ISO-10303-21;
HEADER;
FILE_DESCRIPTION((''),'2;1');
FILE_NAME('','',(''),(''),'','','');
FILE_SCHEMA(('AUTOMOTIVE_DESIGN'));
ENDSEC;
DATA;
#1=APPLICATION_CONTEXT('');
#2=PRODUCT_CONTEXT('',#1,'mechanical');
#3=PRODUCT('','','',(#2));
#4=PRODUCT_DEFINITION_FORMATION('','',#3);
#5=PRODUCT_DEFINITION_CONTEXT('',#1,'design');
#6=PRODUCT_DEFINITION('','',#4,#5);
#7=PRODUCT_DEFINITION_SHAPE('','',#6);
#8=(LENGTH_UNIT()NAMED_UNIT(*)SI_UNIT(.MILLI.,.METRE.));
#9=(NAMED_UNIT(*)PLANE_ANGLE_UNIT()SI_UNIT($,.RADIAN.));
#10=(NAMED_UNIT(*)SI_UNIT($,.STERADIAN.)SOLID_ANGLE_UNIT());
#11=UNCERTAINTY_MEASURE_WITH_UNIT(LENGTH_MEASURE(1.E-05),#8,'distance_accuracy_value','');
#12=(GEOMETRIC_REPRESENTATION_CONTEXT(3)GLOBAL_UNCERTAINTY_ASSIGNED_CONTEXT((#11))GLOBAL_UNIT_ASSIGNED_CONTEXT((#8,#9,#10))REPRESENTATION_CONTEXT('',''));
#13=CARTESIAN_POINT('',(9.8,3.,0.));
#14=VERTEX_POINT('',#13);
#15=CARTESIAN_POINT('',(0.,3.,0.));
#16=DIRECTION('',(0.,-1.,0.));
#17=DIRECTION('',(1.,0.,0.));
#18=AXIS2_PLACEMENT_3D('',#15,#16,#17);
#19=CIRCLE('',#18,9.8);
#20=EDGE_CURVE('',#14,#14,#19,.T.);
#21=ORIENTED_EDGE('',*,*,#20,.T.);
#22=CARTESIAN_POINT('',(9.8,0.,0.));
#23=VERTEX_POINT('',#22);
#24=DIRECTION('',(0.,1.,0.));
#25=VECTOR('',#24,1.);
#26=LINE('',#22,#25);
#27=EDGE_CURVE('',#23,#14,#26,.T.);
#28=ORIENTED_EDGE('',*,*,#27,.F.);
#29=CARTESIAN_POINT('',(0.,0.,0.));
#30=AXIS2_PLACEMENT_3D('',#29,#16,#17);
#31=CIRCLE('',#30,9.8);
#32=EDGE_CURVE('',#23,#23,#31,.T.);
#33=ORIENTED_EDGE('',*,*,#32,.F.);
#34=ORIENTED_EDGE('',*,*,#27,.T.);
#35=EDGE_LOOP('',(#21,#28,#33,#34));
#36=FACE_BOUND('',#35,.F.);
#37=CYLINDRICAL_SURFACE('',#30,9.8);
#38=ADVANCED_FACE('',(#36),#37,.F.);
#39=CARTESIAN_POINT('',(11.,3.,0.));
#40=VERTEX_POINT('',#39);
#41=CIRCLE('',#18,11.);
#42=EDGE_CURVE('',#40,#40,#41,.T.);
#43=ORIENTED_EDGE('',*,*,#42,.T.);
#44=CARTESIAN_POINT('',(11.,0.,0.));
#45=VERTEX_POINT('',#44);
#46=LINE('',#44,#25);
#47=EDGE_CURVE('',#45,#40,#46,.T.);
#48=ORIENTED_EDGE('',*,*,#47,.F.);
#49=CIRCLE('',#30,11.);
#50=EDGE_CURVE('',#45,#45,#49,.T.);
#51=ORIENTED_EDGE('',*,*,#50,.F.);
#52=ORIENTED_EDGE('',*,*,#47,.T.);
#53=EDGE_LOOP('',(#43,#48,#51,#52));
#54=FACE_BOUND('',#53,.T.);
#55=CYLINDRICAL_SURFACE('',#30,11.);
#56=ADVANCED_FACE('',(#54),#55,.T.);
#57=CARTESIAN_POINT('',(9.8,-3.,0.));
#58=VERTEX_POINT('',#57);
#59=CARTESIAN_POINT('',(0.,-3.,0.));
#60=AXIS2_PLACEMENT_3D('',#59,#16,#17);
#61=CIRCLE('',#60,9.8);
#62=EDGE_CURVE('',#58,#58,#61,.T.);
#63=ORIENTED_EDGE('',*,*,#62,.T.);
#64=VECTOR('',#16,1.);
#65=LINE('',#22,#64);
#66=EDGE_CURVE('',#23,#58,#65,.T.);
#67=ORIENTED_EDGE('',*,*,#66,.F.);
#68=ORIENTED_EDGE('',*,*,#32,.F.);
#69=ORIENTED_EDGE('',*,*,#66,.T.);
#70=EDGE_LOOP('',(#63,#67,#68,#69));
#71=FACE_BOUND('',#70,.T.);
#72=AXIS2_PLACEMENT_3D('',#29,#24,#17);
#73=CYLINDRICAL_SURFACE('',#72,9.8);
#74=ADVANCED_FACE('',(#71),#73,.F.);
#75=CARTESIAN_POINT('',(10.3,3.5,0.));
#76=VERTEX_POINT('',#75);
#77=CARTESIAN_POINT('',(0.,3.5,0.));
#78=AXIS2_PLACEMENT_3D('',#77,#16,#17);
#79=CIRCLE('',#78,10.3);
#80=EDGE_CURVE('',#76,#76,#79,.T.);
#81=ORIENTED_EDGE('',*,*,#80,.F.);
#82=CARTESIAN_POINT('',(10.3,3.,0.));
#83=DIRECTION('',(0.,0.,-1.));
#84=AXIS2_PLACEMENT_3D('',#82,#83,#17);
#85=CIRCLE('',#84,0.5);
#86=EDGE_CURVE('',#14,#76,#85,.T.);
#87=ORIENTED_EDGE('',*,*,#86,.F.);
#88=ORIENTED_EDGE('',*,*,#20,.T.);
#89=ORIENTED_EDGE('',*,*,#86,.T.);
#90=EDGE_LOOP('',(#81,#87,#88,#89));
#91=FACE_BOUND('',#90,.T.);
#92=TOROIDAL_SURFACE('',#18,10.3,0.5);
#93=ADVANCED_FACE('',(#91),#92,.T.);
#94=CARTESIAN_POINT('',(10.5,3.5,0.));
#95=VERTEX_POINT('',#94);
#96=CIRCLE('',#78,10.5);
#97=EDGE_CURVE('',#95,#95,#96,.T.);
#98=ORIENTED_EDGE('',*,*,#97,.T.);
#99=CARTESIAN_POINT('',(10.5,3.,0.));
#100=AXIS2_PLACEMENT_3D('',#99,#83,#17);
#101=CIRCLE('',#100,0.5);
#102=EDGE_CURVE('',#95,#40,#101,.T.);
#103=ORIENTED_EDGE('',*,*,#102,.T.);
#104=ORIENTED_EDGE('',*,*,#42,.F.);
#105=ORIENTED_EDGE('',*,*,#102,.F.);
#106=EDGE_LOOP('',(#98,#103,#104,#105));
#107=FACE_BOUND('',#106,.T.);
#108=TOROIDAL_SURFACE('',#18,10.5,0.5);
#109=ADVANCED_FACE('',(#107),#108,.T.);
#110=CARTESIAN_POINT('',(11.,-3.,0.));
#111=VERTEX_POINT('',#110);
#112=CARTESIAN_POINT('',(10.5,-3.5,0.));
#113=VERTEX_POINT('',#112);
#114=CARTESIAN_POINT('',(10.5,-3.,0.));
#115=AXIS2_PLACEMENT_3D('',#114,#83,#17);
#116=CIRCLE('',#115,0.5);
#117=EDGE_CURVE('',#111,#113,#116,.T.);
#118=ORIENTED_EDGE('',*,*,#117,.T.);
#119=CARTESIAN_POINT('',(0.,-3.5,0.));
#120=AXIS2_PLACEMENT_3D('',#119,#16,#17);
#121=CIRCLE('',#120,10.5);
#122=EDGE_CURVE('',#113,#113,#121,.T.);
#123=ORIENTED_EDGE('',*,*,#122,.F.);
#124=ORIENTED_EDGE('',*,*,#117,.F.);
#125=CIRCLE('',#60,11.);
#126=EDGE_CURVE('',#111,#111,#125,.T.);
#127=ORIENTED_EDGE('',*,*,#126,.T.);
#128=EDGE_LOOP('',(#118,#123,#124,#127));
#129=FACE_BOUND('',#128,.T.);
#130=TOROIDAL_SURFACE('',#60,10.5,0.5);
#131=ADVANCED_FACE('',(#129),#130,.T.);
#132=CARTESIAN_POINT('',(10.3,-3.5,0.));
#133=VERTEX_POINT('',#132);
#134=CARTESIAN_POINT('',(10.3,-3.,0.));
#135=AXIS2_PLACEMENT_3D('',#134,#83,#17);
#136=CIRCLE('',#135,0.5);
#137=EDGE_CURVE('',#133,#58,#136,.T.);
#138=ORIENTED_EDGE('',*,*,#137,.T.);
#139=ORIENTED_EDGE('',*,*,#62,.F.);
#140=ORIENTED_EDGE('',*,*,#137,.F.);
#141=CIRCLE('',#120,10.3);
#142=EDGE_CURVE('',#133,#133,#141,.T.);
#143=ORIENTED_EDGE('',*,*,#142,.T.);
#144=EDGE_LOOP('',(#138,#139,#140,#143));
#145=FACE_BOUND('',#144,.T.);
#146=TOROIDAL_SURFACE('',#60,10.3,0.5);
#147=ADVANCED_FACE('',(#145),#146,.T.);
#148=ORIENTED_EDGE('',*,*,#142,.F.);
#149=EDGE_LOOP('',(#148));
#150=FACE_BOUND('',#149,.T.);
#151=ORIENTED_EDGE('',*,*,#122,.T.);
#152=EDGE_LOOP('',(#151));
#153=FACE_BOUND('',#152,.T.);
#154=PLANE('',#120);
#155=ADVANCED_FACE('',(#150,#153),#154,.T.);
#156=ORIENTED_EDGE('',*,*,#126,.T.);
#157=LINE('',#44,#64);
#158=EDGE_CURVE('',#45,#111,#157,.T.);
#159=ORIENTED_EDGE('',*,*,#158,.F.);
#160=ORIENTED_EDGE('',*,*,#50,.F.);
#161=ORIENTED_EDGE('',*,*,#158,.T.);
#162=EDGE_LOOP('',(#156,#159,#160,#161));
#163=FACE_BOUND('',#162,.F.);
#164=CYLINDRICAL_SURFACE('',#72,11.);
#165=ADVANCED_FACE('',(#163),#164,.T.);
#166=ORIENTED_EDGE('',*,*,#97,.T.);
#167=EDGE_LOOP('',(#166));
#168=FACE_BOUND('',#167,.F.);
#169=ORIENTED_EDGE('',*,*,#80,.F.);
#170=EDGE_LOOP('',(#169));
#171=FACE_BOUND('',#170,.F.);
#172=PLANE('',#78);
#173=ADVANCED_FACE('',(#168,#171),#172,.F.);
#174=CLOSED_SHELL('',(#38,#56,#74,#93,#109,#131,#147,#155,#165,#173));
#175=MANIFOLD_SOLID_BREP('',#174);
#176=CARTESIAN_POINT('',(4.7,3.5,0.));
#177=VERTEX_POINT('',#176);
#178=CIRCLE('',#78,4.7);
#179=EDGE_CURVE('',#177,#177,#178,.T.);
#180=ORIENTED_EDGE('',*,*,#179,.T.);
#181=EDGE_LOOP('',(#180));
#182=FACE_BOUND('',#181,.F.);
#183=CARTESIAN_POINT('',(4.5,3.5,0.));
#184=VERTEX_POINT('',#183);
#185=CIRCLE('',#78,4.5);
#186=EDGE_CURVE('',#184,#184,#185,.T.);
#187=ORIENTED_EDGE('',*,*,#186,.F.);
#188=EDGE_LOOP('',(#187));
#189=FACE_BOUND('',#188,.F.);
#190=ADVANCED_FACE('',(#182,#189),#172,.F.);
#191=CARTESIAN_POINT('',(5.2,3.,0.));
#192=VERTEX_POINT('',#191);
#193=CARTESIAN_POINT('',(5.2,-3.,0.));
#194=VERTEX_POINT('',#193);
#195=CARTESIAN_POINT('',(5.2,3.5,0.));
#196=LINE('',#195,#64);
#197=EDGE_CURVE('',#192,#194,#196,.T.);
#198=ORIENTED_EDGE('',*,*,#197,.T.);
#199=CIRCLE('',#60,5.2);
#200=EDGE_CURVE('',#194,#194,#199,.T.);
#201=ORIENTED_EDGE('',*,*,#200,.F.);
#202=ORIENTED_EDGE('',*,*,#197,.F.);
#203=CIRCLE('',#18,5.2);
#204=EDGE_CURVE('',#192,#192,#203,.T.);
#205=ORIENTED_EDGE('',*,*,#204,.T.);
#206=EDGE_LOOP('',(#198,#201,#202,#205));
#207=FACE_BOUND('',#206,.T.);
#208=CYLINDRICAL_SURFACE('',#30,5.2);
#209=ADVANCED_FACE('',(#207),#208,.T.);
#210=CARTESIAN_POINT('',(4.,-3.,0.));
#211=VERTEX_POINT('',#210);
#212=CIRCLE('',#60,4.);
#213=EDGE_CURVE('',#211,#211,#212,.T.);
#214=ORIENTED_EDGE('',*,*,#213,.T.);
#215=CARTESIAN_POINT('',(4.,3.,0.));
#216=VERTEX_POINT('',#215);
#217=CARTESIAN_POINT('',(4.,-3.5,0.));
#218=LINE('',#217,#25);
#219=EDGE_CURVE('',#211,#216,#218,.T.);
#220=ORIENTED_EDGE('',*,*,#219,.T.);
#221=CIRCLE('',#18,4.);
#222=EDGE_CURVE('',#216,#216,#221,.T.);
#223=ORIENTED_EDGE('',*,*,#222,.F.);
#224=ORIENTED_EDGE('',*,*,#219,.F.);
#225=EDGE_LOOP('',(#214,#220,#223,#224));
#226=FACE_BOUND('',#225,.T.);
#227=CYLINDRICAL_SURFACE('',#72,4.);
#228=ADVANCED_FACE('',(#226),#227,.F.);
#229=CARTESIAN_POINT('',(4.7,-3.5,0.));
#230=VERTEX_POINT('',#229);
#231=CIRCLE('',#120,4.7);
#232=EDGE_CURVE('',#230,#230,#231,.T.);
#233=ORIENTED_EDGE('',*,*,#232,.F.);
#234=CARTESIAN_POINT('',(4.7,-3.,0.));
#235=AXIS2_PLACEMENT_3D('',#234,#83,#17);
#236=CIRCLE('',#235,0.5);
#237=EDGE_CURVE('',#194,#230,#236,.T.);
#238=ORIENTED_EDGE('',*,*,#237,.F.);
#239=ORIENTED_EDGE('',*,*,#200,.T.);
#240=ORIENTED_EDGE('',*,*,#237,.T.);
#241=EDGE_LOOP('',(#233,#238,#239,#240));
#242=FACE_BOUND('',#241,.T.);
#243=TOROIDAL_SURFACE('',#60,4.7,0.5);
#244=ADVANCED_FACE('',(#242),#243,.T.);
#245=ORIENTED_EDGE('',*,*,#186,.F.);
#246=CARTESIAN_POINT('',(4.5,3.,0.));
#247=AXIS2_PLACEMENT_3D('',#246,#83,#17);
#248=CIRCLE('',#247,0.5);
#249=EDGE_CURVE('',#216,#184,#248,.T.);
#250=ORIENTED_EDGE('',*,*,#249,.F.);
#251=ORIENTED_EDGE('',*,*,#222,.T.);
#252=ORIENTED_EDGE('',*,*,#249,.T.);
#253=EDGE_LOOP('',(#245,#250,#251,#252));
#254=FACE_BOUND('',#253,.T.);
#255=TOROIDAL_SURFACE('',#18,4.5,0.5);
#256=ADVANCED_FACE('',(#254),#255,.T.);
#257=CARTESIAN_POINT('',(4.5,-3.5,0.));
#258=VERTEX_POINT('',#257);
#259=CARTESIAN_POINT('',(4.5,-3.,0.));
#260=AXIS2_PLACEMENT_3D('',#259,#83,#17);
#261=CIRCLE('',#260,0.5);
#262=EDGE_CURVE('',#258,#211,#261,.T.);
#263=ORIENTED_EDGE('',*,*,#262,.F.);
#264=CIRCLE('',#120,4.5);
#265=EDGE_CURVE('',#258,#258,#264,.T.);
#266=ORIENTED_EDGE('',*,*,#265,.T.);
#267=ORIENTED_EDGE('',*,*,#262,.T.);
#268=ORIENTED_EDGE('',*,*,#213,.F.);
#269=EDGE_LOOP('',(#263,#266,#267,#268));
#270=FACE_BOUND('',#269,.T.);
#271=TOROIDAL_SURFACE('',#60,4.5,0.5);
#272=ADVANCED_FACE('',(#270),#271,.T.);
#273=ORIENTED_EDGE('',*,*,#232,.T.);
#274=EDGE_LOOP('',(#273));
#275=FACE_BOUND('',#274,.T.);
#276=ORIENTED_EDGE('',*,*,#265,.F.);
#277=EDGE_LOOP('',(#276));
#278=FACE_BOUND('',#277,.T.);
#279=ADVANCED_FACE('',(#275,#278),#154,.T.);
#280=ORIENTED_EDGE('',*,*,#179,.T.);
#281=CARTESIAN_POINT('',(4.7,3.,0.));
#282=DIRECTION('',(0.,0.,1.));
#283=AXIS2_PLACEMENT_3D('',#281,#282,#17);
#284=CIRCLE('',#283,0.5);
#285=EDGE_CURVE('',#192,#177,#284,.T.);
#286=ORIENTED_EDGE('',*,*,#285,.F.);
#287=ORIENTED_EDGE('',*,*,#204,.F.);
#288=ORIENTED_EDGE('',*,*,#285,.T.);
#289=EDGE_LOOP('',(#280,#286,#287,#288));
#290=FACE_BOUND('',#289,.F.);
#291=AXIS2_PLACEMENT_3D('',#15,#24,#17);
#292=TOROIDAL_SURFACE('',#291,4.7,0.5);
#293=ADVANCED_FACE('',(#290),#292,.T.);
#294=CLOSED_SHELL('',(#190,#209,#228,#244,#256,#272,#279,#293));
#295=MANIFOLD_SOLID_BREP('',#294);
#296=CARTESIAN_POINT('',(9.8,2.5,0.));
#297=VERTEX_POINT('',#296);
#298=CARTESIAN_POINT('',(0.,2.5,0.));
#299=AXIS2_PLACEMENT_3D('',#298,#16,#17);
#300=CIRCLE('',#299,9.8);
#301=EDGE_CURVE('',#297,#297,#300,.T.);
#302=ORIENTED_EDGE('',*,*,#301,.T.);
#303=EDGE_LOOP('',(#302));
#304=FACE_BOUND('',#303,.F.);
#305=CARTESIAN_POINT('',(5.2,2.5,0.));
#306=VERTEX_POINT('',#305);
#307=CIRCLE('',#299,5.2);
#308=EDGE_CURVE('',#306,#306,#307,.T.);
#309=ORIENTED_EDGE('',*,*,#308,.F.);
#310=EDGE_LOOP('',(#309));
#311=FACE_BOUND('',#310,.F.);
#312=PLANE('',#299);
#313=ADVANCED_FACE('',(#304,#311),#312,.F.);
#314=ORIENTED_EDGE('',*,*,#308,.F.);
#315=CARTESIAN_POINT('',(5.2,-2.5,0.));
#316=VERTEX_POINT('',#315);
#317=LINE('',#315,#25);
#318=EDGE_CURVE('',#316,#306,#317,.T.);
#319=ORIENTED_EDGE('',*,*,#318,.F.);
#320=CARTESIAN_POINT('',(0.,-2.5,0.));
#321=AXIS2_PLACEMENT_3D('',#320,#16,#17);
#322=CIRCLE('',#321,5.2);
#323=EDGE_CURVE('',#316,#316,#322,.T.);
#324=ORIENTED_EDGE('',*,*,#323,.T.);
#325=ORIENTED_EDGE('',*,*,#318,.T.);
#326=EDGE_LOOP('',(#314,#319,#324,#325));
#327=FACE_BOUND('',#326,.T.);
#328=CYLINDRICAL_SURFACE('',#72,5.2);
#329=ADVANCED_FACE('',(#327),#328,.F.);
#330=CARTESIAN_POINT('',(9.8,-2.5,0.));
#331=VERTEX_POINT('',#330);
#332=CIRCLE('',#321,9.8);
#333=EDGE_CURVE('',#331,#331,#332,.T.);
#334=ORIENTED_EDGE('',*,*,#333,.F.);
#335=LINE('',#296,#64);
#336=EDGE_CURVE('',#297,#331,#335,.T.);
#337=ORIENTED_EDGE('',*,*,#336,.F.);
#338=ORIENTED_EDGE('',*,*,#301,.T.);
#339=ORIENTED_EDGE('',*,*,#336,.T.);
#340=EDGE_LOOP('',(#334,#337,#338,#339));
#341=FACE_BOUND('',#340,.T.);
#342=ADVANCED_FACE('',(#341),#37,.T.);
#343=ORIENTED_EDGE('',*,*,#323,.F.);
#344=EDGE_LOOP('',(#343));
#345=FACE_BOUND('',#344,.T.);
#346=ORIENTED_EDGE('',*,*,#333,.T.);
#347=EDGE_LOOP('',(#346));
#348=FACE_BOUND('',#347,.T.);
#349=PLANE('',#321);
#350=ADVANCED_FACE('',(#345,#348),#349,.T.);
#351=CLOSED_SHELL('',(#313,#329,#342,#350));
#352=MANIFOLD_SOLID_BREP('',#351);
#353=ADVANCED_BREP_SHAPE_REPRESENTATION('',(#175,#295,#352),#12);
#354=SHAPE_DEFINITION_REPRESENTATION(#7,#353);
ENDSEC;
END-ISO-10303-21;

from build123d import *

# Parameters (mm, degrees)
F0_R     = 11
F0_R_2   = 9.8
F0_R_3   = 5.2
F0_R_4   = 4
F1_DEPTH = 3.5
F2_R     = 0.5
F3_DEPTH = 2.5


with BuildPart() as f1:
    # F0 (on Front) → F1 (new body, symmetric)
    with BuildSketch(Plane.XZ):
        Circle(F0_R)
        Circle(F0_R_2, mode=Mode.SUBTRACT)
        Circle(F0_R_3)
        Circle(F0_R_4, mode=Mode.SUBTRACT)
    extrude(amount=F1_DEPTH, both=True)

    # F2
    f2_edges = [f1.edges().sort_by_distance(p)[0] for p in [
        (-11, -3.5, 0),
        (-11, 3.5, 0),
        (-9.8, -3.5, 0),
        (-9.8, 3.5, 0),
        (-5.2, -3.5, 0),
        (-5.2, 3.5, 0),
        (-4, -3.5, 0),
        (-4, 3.5, 0),
    ]]
    fillet(f2_edges, radius=F2_R)


with BuildPart() as f3:
    # F0 (on Front) → F3 (new body, symmetric)
    with BuildSketch(Plane.XZ):
        Circle(F0_R_2)
        Circle(F0_R_3, mode=Mode.SUBTRACT)
    extrude(amount=F3_DEPTH, both=True)


solid = Compound([f1.part, f3.part])
